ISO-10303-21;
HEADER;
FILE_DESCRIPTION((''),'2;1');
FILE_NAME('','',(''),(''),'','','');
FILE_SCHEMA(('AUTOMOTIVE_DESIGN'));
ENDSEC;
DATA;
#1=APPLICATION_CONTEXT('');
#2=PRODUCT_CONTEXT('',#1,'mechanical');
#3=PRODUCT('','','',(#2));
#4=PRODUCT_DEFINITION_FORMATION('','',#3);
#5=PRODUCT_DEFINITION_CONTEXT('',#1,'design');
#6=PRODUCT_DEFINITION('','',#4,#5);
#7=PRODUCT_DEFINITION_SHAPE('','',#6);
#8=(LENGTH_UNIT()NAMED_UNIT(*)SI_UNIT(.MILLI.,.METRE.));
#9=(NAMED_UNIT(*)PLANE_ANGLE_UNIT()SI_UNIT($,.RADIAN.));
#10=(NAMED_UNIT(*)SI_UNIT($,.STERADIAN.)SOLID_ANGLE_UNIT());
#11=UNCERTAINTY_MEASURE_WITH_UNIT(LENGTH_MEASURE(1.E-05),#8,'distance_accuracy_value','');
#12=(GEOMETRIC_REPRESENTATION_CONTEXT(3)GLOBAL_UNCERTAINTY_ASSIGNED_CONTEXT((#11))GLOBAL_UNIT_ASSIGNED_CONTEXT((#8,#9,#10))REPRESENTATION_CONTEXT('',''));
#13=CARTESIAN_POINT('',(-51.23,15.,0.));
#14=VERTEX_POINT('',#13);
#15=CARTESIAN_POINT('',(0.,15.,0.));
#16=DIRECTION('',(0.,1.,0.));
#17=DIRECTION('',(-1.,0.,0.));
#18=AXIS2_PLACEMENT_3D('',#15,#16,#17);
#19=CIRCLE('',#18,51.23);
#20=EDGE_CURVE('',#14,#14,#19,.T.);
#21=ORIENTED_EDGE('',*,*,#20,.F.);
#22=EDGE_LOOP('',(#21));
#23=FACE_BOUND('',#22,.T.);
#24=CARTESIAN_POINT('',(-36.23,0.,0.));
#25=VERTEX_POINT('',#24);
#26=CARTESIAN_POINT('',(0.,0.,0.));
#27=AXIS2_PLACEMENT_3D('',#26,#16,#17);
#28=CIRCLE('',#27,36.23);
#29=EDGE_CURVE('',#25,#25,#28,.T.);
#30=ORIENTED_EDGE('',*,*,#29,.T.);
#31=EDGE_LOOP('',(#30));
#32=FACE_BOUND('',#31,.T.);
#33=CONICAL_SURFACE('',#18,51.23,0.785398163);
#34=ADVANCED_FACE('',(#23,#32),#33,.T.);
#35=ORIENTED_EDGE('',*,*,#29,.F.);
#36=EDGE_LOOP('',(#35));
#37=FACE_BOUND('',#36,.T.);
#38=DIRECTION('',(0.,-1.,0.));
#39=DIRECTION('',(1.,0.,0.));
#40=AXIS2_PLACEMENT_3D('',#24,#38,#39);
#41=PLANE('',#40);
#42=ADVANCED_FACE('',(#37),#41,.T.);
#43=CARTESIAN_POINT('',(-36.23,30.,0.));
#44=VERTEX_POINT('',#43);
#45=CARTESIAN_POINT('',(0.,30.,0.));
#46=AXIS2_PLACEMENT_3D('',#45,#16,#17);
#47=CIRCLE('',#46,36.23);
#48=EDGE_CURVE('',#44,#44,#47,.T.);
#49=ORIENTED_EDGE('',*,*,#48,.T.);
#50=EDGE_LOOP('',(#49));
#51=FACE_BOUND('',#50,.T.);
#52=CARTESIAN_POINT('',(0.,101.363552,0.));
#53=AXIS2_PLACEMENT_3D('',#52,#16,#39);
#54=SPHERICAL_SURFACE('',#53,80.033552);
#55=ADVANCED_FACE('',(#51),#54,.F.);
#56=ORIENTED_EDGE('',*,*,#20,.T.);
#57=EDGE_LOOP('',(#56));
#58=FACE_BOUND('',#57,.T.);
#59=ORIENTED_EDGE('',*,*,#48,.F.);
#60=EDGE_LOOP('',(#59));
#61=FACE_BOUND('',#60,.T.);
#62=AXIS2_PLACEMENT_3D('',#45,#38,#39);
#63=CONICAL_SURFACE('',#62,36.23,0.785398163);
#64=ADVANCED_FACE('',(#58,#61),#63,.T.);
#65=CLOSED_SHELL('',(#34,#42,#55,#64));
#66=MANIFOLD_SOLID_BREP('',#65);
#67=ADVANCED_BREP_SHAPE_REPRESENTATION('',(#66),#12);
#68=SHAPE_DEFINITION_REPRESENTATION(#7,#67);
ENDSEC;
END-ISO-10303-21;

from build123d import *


with BuildPart() as part:
    # Electromagnetic Base Sketch → Electromagnetic Base Body (revolve)
    with BuildSketch(Plane.XY):
        with BuildLine():
            Line((0, 21.33), (0, 0))
            Line((0, 0), (-36.23, 0))
            Line((-36.23, 0), (-51.23, 15))
            Line((-51.23, 15), (-36.23, 30))
            ThreePointArc((-36.23, 30), (-18.626471754, 23.527673397), (0, 21.33))
        make_face()
    revolve(axis=Axis((0, 21.33, 0), (0, -1, 0)))


solid = part.part
